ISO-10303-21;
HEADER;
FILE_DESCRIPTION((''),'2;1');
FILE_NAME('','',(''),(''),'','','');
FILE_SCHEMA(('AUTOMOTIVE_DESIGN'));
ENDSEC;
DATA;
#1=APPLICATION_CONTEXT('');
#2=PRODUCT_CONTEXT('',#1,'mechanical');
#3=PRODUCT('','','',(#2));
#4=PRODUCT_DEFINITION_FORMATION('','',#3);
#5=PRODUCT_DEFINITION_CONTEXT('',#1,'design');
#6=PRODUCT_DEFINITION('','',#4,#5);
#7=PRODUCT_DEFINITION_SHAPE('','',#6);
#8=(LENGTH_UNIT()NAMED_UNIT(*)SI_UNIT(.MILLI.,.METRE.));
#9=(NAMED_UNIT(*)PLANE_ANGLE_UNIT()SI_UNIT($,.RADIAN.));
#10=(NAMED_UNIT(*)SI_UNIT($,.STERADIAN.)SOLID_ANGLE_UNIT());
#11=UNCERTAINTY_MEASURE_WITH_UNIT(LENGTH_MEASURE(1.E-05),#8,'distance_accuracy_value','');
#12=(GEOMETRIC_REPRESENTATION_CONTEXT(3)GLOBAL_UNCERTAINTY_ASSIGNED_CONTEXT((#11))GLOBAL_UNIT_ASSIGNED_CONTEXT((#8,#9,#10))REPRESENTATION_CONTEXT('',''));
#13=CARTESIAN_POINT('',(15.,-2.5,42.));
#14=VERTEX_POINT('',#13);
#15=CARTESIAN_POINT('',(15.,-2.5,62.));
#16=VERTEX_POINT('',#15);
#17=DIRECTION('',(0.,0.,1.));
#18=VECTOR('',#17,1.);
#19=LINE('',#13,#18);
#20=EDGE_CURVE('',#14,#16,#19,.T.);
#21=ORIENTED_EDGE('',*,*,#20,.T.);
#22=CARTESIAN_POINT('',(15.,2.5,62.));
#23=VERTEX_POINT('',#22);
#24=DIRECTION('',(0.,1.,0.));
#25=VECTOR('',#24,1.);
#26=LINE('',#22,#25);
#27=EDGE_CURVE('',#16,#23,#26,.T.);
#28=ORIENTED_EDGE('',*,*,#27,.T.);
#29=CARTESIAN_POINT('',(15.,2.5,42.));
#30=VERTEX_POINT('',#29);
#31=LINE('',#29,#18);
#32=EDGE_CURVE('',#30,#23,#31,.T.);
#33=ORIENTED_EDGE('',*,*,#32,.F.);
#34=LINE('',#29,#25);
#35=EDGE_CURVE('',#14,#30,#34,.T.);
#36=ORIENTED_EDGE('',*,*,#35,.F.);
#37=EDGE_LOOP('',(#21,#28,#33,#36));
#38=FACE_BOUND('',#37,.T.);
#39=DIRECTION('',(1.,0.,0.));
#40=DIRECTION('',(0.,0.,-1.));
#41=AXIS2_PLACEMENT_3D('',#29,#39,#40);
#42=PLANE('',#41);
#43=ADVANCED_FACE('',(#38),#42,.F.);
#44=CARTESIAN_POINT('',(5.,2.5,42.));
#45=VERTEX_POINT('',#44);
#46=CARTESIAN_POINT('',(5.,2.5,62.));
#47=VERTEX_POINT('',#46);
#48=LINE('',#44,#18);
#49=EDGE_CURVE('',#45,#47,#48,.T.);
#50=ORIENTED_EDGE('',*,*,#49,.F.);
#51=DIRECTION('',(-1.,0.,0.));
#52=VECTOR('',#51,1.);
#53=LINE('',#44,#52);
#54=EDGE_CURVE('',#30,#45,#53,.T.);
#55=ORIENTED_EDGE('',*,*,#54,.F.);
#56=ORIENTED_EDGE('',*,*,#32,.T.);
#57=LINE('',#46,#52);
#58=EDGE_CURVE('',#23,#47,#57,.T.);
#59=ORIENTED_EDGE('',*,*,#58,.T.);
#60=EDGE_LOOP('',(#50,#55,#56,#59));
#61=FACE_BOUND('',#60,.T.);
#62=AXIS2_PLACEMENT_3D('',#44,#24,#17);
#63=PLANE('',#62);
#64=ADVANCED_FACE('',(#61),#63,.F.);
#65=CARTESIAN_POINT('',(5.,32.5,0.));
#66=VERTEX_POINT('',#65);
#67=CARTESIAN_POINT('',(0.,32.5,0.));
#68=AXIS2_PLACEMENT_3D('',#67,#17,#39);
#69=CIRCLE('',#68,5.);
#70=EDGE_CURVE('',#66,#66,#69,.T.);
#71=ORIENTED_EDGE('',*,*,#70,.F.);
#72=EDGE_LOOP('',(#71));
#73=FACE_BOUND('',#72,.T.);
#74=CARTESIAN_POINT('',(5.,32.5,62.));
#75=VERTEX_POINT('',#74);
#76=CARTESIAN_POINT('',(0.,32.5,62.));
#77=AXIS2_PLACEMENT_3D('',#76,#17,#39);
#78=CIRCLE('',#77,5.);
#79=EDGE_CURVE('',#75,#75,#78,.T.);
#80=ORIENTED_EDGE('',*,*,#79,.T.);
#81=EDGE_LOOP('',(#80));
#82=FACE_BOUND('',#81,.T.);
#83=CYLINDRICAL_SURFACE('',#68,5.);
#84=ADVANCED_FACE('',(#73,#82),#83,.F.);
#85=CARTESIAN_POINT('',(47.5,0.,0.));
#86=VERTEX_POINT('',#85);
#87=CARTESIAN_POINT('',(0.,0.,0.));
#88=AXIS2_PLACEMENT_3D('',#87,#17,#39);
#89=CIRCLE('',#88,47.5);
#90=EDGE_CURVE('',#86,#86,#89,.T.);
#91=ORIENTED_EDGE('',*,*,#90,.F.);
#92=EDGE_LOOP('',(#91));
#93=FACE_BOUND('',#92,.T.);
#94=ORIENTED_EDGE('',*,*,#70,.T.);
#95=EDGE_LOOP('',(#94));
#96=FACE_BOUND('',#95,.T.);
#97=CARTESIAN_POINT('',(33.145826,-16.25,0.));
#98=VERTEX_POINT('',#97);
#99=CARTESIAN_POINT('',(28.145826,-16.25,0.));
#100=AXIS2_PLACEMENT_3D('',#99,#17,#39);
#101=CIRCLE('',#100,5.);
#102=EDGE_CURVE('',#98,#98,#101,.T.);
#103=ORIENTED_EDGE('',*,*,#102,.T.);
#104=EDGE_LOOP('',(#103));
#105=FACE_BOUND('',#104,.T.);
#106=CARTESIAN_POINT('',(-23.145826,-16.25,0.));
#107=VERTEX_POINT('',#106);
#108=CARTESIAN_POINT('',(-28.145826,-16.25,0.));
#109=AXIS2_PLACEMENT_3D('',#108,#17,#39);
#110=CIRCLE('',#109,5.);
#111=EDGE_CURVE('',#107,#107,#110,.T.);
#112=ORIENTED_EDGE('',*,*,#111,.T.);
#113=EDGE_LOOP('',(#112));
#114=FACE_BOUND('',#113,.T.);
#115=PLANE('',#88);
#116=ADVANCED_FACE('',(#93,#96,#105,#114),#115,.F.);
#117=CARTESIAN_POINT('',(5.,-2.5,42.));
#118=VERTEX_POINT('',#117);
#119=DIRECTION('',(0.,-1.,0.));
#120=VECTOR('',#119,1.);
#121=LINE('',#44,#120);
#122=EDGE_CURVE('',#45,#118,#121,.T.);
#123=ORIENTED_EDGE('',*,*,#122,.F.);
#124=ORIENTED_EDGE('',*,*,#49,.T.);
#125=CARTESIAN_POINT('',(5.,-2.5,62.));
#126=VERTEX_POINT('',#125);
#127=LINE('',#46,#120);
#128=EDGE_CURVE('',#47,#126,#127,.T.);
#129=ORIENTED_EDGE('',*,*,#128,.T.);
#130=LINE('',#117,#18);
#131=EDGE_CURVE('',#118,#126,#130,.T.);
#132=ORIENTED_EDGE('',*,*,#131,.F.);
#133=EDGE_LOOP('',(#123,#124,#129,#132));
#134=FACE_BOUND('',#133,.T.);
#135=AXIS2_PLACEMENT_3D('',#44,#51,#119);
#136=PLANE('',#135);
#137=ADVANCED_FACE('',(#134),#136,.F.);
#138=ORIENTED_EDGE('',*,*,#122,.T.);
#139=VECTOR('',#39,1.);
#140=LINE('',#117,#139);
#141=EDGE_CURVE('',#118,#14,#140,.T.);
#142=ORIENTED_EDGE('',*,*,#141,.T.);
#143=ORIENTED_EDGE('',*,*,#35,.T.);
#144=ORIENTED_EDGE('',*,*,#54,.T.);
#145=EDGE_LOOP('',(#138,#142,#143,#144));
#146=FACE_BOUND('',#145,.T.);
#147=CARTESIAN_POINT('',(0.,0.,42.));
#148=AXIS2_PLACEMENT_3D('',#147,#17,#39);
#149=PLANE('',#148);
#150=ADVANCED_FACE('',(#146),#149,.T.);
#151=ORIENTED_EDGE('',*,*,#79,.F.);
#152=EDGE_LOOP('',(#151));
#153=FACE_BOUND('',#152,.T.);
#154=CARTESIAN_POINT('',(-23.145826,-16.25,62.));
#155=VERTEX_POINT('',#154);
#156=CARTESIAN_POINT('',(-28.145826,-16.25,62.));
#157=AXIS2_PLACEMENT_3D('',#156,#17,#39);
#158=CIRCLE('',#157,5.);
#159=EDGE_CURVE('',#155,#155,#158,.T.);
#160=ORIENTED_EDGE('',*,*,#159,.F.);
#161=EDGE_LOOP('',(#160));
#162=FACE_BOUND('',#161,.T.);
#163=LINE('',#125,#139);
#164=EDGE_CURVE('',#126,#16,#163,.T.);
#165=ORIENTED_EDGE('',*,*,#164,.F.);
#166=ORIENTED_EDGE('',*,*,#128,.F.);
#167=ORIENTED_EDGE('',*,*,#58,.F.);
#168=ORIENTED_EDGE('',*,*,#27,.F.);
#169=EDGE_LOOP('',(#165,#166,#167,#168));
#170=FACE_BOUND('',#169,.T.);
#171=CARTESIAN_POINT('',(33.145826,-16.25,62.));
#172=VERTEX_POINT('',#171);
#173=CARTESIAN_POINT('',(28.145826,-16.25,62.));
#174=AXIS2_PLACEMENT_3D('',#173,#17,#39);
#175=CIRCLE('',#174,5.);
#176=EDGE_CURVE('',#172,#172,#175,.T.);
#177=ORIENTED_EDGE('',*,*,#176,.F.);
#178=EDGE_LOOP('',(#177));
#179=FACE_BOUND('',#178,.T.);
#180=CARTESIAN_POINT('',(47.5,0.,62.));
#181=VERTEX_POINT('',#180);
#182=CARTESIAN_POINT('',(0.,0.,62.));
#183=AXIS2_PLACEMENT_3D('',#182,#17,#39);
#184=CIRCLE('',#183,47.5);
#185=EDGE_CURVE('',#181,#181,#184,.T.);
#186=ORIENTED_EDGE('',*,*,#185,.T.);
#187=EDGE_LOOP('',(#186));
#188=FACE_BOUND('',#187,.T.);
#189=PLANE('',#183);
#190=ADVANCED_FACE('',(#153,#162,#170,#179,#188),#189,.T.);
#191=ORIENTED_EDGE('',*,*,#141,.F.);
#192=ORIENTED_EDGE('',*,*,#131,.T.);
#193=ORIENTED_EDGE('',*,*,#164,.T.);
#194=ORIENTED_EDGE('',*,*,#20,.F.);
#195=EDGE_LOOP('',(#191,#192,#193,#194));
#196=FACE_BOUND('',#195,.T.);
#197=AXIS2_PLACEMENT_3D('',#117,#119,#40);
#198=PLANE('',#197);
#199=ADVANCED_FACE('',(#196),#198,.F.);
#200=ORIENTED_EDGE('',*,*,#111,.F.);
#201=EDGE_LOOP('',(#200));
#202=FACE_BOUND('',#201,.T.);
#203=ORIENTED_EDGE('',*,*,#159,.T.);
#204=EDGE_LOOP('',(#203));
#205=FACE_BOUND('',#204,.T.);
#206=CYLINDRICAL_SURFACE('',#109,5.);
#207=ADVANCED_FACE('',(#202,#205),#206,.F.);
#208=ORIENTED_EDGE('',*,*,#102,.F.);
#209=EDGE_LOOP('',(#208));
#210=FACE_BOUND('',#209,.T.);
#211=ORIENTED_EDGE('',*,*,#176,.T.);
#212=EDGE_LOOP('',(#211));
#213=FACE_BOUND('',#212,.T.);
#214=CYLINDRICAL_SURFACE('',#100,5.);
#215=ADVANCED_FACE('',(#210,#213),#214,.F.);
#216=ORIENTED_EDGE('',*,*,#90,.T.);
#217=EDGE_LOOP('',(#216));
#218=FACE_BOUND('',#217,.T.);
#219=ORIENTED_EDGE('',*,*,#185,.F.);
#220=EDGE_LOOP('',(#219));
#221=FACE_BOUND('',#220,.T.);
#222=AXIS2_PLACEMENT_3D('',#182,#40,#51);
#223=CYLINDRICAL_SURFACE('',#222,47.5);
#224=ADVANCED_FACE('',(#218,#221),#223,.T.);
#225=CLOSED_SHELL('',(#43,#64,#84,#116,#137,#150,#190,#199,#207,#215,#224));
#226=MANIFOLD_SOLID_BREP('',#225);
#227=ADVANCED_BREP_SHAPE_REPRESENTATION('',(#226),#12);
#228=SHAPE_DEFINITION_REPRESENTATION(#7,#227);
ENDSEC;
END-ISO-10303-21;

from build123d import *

# Parameters (mm, degrees)
SKETCH1_R           = 47.5
BOSS_EXTRUDE1_DEPTH = 62
SKETCH2_W           = 10
SKETCH2_H           = 5
CUT_EXTRUDE1_DEPTH  = 20
SKETCH3_R           = 5
CUT_EXTRUDE2_DEPTH  = 63


with BuildPart() as part:
    # Sketch1 → Boss-Extrude1 (new body)
    with BuildSketch(Plane.XY):
        Circle(SKETCH1_R)
    extrude(amount=BOSS_EXTRUDE1_DEPTH)

    # Sketch2 → Cut-Extrude1 (cut)
    with BuildSketch(Plane.XY.offset(62)):
        with Locations((10, 0)):
            Rectangle(SKETCH2_W, SKETCH2_H)
    extrude(amount=-CUT_EXTRUDE1_DEPTH, mode=Mode.SUBTRACT)

    # Sketch3 → Cut-Extrude2 (cut, through all)
    with BuildSketch(Plane.XY.offset(62)):
        with Locations((0, 32.5)):
            Circle(SKETCH3_R)
        with Locations((28.145825623, -16.25)):
            Circle(SKETCH3_R)
        with Locations((-28.145825623, -16.25)):
            Circle(SKETCH3_R)
    extrude(amount=-CUT_EXTRUDE2_DEPTH, mode=Mode.SUBTRACT)


solid = part.part
